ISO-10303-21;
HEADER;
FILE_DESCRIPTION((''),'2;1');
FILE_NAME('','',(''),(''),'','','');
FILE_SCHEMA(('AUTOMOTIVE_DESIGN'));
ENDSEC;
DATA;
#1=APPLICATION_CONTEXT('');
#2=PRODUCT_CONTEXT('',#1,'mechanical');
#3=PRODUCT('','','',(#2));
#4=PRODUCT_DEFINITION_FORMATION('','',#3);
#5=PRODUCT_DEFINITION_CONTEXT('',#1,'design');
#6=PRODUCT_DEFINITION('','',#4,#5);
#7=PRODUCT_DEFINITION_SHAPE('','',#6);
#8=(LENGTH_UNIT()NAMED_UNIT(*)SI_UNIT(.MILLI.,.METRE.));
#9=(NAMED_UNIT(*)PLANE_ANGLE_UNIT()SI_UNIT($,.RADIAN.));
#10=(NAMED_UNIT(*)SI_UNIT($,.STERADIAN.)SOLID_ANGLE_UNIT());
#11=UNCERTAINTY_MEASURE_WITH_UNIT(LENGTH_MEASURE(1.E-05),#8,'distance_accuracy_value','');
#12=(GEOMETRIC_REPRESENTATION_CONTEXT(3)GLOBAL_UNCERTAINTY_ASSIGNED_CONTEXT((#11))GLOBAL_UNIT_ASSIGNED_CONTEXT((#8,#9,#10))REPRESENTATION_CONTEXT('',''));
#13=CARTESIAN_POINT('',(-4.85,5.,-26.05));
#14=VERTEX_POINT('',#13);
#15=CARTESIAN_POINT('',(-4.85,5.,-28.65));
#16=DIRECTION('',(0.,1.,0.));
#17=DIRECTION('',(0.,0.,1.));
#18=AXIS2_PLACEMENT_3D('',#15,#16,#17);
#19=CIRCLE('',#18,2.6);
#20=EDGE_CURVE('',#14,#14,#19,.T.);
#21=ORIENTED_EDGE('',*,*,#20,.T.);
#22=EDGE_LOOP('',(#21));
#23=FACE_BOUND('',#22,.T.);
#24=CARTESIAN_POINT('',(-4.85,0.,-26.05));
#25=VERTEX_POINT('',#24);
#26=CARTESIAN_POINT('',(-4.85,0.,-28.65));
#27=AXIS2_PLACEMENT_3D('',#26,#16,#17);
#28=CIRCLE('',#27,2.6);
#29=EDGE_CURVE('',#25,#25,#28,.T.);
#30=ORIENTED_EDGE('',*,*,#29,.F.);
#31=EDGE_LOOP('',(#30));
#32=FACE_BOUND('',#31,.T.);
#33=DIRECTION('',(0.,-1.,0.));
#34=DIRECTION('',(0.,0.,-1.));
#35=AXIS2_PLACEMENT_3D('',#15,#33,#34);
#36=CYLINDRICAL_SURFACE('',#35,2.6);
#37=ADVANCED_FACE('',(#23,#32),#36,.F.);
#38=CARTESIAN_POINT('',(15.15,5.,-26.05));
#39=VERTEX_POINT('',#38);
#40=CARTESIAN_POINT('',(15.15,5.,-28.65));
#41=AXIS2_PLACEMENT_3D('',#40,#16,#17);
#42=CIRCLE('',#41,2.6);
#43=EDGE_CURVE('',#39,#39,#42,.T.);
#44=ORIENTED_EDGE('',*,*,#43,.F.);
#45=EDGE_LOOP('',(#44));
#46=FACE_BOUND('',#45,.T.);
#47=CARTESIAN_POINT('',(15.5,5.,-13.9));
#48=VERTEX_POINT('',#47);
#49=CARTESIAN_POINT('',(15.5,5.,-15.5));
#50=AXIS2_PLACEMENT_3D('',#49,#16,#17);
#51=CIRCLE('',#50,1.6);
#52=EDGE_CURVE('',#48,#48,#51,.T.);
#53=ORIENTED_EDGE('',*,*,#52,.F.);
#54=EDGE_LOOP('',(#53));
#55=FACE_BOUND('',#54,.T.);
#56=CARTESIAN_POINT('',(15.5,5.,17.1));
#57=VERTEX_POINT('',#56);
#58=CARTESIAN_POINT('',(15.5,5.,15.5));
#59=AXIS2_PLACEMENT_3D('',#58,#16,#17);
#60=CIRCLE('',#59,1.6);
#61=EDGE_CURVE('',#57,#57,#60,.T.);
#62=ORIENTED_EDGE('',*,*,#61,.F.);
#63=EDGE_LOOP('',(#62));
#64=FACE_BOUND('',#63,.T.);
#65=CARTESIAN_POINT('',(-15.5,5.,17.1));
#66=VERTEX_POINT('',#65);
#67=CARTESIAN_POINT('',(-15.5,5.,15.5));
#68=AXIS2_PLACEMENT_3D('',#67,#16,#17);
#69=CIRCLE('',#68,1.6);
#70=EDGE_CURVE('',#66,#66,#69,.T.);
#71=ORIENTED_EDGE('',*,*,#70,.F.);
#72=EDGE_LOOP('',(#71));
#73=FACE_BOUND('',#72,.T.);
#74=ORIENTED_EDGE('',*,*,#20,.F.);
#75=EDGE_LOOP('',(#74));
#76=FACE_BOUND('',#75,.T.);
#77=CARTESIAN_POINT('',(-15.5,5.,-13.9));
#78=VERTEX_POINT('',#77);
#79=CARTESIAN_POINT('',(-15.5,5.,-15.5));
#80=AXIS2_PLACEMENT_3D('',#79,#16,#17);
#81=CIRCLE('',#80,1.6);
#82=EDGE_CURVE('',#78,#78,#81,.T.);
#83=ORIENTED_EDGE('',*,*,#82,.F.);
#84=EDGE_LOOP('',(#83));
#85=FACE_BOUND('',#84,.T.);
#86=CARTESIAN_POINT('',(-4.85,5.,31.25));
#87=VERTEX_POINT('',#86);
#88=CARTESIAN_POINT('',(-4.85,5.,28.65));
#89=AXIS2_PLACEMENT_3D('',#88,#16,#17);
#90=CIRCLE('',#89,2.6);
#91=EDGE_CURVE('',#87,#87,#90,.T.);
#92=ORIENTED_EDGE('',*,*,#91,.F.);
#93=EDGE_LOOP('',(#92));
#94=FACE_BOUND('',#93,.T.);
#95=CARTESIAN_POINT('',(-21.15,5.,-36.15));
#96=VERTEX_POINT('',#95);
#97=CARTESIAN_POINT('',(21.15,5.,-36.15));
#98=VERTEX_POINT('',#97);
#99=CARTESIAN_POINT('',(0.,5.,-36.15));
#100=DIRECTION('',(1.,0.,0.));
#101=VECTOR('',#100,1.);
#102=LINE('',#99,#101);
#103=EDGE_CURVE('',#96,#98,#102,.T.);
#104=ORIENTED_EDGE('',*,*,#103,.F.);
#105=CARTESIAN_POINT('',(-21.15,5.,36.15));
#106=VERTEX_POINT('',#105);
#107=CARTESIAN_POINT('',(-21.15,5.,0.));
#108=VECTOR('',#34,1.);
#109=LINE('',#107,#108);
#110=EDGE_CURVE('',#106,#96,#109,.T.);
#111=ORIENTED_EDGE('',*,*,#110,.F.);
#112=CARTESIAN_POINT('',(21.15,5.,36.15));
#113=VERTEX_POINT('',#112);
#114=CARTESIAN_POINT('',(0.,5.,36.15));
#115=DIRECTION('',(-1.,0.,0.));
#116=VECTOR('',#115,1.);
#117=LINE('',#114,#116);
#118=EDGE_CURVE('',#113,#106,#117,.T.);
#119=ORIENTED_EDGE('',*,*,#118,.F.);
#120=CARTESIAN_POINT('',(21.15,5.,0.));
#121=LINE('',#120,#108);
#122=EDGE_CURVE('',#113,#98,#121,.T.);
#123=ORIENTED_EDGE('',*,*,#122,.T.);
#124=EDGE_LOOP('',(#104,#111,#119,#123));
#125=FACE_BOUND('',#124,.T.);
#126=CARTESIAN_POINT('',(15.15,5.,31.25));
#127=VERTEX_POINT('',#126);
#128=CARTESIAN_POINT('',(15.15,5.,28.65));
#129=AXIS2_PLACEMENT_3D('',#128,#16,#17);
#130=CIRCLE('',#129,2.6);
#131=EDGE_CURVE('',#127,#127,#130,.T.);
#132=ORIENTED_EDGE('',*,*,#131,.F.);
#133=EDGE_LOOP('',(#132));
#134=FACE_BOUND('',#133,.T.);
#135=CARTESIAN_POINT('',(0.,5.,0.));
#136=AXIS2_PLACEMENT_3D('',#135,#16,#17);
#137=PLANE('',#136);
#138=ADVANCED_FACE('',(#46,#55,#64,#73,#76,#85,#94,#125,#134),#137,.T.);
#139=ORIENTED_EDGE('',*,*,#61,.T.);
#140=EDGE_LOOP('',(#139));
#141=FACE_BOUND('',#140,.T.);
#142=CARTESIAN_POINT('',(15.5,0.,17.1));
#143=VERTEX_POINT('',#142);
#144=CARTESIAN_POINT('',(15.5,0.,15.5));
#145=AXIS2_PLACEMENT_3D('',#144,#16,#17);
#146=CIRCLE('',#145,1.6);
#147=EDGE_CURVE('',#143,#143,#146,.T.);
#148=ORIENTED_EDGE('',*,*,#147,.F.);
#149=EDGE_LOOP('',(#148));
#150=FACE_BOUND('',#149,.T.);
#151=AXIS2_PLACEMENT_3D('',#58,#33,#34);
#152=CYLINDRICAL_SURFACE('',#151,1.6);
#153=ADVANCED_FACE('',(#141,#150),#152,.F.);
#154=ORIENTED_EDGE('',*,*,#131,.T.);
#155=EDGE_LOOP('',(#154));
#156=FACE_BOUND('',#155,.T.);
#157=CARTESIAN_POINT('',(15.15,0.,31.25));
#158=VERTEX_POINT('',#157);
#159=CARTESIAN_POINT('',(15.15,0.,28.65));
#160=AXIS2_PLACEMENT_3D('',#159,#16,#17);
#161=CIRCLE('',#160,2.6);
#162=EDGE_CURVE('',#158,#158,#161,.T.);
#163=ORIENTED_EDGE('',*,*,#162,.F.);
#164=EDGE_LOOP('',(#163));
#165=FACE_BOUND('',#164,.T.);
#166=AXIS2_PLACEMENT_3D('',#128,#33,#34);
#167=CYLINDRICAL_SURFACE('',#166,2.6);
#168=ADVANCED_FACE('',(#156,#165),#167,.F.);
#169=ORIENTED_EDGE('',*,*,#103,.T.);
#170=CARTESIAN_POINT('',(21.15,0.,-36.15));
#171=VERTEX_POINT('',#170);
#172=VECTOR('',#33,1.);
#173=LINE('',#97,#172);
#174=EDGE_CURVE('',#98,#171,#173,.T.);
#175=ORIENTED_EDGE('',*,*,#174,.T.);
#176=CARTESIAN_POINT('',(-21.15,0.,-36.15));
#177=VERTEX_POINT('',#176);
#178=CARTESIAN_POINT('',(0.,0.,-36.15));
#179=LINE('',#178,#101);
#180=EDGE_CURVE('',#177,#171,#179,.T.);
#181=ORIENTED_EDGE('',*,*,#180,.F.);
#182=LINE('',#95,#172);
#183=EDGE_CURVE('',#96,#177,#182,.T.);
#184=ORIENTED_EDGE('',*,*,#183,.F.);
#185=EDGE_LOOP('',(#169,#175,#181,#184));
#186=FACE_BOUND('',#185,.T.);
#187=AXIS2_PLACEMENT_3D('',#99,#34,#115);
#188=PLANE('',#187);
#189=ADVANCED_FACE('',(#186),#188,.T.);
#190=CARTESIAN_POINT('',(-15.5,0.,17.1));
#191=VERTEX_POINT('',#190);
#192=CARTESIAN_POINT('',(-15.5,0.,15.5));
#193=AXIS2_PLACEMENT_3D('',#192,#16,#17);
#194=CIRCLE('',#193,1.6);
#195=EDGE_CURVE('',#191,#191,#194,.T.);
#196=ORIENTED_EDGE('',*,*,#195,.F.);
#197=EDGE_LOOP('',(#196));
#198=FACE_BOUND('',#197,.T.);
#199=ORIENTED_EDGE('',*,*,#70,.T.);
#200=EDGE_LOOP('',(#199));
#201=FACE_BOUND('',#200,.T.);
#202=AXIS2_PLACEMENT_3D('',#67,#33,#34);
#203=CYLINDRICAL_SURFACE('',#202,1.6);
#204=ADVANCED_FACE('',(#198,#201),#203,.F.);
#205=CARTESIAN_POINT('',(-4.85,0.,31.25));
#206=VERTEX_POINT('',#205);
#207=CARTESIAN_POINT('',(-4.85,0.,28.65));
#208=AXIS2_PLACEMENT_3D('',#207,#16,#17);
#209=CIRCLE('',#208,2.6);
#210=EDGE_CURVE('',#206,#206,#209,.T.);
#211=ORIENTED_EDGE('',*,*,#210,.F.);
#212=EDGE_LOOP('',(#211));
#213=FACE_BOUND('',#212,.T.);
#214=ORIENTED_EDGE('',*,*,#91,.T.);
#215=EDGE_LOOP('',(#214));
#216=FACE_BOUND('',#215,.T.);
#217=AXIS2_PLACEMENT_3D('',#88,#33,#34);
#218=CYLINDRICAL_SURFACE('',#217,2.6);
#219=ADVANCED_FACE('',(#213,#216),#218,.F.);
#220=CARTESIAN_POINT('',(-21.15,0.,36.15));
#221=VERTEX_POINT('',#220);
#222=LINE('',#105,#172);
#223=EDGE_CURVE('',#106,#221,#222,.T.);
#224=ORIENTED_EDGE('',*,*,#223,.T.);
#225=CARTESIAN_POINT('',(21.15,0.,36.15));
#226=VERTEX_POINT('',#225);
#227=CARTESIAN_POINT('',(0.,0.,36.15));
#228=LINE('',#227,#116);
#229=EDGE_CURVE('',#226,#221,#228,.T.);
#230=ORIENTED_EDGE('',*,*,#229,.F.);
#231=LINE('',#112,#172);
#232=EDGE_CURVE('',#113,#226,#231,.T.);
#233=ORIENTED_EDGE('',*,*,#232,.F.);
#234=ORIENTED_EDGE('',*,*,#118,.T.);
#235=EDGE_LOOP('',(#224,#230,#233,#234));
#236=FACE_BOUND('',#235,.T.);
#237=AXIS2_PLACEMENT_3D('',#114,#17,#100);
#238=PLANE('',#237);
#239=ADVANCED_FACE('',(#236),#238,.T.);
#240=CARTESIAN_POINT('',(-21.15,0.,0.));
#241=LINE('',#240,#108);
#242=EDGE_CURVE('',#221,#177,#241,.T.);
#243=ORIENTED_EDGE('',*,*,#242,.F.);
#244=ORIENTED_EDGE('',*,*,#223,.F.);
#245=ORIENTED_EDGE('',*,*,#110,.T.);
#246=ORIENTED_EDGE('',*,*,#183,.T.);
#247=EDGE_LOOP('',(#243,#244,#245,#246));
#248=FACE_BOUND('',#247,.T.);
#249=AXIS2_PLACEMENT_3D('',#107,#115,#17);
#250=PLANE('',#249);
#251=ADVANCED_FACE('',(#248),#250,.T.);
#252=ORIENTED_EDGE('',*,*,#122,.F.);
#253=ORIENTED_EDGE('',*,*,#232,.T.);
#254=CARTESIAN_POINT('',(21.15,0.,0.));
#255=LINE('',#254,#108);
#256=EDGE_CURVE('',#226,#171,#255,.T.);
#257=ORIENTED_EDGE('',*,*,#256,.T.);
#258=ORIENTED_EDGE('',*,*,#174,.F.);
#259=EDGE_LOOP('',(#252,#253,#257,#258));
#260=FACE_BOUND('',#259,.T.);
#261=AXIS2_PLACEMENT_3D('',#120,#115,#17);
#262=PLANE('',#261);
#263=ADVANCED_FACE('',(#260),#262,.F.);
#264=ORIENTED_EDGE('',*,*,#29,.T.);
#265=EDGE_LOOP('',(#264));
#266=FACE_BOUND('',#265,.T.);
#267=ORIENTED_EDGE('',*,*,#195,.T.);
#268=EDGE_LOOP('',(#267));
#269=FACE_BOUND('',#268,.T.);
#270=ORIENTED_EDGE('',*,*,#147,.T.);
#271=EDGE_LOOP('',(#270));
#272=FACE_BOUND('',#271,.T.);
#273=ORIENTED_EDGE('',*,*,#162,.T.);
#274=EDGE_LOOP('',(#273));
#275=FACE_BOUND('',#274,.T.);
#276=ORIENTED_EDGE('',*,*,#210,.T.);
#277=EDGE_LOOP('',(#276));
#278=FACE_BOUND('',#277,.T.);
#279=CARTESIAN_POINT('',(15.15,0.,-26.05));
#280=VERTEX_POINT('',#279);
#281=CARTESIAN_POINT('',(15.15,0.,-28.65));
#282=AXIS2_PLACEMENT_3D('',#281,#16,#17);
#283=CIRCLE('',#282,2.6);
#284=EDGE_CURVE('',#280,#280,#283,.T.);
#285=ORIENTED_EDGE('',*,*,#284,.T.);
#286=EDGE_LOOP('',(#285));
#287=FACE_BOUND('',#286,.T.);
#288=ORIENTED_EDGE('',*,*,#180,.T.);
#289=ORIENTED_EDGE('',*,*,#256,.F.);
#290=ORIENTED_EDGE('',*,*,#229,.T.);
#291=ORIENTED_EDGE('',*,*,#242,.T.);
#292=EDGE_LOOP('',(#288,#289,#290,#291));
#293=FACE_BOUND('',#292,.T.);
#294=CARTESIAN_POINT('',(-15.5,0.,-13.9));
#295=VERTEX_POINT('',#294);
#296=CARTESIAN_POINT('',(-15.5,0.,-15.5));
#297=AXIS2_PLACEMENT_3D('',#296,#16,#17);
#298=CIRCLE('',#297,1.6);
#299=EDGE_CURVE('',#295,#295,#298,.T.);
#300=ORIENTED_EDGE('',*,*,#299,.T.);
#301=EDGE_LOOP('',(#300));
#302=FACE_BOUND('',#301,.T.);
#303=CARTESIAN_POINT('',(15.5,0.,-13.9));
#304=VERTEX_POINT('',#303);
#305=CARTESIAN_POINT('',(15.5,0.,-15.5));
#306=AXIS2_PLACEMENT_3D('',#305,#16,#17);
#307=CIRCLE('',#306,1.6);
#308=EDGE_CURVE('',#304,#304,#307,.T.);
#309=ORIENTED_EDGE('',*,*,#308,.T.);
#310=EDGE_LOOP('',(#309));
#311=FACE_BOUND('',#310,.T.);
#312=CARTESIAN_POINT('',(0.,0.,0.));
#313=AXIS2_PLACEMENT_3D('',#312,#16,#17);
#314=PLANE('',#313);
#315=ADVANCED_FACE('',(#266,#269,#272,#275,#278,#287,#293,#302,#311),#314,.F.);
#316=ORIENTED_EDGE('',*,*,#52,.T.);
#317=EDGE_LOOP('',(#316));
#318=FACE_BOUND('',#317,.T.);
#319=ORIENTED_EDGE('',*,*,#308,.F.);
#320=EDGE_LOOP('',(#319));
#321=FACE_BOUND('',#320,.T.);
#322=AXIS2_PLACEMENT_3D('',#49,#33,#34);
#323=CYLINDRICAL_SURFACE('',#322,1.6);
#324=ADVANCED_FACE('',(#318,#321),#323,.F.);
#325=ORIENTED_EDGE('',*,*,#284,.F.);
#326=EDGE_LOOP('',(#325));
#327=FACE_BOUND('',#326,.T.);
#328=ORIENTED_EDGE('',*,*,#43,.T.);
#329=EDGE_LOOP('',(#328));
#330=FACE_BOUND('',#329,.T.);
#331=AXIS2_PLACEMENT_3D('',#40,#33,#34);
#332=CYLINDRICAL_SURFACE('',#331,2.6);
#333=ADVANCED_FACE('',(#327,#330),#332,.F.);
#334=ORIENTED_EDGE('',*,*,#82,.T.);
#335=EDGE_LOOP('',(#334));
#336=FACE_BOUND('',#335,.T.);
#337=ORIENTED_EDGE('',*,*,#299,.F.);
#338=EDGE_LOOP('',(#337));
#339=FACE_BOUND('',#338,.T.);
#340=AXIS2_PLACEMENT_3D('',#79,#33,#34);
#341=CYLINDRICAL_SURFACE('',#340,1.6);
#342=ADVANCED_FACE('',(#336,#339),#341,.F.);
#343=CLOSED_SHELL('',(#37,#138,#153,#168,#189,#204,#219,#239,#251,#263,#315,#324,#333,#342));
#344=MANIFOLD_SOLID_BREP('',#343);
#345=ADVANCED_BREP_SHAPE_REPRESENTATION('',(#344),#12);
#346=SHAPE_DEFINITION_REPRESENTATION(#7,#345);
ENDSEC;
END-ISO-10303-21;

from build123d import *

# Parameters (mm, degrees)
SKETCH2_W           = 42.3
SKETCH2_H           = 42.3
SKETCH2_R           = 1.6
SKETCH2_H_2         = 15
SKETCH2_R_2         = 2.6
BOSS_EXTRUDE1_DEPTH = 5


with BuildPart() as part:
    # Sketch2 → Boss-Extrude1 (new body)
    with BuildSketch(Plane(origin=(0, 0, 0), x_dir=(1, 0, 0), z_dir=(0, 1, 0))):
        Rectangle(SKETCH2_W, SKETCH2_H)
        with Locations((-15.5, -15.5)):
            Circle(SKETCH2_R, mode=Mode.SUBTRACT)
        with Locations((15.5, 15.5)):
            Circle(SKETCH2_R, mode=Mode.SUBTRACT)
        with Locations((15.5, -15.5)):
            Circle(SKETCH2_R, mode=Mode.SUBTRACT)
        with Locations((-15.5, 15.5)):
            Circle(SKETCH2_R, mode=Mode.SUBTRACT)
        with Locations((0, -28.65)):
            Rectangle(SKETCH2_W, SKETCH2_H_2)
        with Locations((15.15, -28.65)):
            Circle(SKETCH2_R_2, mode=Mode.SUBTRACT)
        with Locations((-4.85, -28.65)):
            Circle(SKETCH2_R_2, mode=Mode.SUBTRACT)
        with Locations((0, 28.65)):
            Rectangle(SKETCH2_W, SKETCH2_H_2)
        with Locations((15.15, 28.65)):
            Circle(SKETCH2_R_2, mode=Mode.SUBTRACT)
        with Locations((-4.85, 28.65)):
            Circle(SKETCH2_R_2, mode=Mode.SUBTRACT)
    extrude(amount=BOSS_EXTRUDE1_DEPTH)


solid = part.part
